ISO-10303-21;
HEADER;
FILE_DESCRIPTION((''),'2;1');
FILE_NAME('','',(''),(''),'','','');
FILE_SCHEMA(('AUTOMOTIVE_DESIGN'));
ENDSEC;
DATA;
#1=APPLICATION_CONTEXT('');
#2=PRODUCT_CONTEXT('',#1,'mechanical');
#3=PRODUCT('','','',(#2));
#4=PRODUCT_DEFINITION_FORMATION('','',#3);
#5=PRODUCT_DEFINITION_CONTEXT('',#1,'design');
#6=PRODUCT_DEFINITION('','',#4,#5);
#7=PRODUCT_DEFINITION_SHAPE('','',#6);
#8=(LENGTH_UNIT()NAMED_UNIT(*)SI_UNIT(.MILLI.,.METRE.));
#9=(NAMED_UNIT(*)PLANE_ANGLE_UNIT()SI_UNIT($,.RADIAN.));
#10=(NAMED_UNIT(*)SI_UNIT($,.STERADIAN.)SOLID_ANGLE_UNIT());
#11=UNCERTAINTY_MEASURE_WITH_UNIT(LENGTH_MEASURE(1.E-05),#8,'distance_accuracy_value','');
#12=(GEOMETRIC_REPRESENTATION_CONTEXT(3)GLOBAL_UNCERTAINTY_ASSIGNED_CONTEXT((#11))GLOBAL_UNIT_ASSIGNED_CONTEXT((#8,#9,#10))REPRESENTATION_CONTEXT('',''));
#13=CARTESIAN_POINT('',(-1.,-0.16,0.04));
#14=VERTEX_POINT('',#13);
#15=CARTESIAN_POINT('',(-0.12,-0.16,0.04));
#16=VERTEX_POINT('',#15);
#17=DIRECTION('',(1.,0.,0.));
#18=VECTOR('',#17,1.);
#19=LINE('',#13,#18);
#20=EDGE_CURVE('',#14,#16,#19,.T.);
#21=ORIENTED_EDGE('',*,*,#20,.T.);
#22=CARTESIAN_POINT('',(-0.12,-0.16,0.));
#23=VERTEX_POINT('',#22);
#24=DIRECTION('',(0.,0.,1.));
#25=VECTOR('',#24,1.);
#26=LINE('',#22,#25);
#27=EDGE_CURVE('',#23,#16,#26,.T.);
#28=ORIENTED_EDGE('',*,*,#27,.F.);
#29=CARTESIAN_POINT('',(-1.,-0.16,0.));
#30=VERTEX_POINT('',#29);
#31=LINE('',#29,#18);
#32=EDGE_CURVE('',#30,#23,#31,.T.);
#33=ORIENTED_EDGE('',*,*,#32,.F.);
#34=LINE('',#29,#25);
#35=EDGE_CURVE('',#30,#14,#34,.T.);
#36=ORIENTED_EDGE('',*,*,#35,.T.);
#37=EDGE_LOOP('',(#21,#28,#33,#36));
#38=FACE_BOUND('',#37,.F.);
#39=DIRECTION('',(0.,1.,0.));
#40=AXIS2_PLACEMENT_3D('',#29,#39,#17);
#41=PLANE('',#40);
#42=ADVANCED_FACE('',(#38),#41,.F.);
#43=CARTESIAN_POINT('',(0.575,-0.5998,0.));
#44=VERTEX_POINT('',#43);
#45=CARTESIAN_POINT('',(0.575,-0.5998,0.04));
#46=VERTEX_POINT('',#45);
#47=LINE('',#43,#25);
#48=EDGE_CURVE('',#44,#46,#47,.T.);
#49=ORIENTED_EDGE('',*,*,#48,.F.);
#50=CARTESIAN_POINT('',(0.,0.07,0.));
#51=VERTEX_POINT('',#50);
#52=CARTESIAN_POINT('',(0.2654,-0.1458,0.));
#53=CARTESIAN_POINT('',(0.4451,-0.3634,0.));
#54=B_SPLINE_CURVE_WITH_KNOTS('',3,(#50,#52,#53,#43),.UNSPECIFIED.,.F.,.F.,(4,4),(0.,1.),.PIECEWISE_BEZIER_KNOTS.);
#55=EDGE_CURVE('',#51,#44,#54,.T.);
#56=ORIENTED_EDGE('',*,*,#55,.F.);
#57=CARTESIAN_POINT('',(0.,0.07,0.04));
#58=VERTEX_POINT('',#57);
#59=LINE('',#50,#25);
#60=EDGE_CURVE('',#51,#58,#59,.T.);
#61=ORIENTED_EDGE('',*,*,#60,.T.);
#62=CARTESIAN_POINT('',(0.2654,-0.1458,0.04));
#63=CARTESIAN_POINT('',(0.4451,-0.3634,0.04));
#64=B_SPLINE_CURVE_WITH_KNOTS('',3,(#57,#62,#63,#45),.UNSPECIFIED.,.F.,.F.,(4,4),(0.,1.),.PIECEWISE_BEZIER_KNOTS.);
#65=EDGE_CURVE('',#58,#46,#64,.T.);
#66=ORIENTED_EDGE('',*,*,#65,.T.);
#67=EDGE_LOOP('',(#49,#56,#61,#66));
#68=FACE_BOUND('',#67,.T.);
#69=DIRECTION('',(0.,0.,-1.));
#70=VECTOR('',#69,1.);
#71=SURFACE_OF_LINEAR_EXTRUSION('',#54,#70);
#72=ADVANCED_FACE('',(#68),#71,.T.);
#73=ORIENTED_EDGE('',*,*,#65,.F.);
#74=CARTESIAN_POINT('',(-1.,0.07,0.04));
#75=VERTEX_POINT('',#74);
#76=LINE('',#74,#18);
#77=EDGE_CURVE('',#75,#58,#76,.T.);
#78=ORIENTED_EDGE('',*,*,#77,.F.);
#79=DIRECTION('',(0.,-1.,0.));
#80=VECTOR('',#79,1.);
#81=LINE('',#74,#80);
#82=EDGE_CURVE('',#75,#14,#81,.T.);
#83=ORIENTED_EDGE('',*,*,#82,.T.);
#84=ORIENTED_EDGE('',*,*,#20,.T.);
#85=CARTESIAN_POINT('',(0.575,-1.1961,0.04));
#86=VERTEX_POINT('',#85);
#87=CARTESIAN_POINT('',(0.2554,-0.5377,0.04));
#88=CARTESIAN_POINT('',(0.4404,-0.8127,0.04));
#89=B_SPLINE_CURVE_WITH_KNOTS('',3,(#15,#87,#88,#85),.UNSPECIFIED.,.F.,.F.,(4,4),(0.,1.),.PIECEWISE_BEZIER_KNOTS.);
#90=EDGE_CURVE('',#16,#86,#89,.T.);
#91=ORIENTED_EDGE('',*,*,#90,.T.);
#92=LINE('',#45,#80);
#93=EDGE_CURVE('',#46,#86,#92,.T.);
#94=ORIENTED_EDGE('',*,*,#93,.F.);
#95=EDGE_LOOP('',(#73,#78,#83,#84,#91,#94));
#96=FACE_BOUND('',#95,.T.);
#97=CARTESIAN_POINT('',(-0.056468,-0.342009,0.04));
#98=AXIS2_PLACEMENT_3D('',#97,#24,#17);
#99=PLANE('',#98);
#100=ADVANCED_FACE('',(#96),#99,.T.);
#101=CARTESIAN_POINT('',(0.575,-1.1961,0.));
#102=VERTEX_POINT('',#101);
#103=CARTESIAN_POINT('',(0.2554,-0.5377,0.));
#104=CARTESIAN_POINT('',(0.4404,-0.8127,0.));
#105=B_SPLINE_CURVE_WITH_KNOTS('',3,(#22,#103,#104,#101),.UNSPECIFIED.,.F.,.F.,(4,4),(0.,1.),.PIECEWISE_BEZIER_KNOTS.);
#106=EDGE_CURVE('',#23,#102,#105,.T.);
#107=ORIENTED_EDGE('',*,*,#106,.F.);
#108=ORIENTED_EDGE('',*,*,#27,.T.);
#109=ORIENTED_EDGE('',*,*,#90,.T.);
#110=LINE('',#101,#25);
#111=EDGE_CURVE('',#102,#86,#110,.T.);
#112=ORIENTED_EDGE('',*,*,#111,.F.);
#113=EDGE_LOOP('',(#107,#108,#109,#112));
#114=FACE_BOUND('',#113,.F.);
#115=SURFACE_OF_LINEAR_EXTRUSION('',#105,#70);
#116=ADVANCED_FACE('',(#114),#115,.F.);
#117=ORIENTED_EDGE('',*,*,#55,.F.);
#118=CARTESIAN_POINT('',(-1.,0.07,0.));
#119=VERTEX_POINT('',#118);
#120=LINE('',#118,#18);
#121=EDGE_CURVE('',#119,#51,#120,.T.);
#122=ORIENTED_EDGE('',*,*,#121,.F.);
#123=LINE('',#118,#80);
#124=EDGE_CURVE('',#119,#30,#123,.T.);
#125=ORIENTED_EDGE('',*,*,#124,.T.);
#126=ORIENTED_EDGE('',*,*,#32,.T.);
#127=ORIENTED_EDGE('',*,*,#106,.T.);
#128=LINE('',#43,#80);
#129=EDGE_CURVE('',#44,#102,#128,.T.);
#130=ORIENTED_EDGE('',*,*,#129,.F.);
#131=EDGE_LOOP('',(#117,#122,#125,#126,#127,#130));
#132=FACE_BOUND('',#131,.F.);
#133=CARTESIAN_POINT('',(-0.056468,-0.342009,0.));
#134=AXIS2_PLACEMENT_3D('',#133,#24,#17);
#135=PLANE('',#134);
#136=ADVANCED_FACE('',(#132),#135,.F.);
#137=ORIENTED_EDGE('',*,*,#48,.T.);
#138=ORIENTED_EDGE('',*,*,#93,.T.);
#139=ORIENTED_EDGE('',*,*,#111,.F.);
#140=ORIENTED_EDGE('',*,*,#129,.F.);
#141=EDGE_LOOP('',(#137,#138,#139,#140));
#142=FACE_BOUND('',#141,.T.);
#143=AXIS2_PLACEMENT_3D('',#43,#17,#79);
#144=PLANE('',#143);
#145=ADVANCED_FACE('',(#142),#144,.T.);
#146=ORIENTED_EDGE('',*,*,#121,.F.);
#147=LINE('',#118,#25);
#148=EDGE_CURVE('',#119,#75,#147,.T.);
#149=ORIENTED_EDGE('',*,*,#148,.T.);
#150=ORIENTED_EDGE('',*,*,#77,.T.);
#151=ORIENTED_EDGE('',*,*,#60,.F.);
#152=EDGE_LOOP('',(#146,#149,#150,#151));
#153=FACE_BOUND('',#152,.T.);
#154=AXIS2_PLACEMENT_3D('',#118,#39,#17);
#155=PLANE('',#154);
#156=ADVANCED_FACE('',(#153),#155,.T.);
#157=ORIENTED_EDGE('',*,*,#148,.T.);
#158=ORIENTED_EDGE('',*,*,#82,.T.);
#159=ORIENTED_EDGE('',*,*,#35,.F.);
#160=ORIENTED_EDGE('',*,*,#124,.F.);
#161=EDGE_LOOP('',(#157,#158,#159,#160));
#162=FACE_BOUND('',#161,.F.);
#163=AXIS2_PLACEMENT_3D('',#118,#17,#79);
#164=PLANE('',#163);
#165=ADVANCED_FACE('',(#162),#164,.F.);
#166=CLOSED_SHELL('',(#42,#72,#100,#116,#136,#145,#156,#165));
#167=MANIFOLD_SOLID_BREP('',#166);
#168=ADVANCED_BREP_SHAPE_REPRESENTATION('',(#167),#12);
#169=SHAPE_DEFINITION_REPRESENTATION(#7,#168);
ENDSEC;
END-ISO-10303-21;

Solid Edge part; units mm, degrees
sketch "Sketch1" plane through (0, 0, 0) normal (0, 0, 1) x (1, 0, 0)
  line L0 (-1, 0.07) -> (-1, -0.16)
  line L1 (-1, -0.16) -> (-0.12, -0.16)
  spline S0 degree 3 poles (-0.12, -0.16) (0.2554, -0.5377) (0.4404, -0.8127) (0.575, -1.1961) knots 0 0 0 0 1 1 1 1
  line L2 (0.575, -0.5998) -> (0.575, -1.1961)
  spline S1 degree 3 poles (0, 0.07) (0.2654, -0.1458) (0.4451, -0.3634) (0.575, -0.5998) knots 0 0 0 0 1 1 1 1
  line L3 (-1, 0.07) -> (0, 0.07)
  dimension "D1" = 1
extrude "Protrusion1" add sketch "Sketch1" along normal blind 0.04
